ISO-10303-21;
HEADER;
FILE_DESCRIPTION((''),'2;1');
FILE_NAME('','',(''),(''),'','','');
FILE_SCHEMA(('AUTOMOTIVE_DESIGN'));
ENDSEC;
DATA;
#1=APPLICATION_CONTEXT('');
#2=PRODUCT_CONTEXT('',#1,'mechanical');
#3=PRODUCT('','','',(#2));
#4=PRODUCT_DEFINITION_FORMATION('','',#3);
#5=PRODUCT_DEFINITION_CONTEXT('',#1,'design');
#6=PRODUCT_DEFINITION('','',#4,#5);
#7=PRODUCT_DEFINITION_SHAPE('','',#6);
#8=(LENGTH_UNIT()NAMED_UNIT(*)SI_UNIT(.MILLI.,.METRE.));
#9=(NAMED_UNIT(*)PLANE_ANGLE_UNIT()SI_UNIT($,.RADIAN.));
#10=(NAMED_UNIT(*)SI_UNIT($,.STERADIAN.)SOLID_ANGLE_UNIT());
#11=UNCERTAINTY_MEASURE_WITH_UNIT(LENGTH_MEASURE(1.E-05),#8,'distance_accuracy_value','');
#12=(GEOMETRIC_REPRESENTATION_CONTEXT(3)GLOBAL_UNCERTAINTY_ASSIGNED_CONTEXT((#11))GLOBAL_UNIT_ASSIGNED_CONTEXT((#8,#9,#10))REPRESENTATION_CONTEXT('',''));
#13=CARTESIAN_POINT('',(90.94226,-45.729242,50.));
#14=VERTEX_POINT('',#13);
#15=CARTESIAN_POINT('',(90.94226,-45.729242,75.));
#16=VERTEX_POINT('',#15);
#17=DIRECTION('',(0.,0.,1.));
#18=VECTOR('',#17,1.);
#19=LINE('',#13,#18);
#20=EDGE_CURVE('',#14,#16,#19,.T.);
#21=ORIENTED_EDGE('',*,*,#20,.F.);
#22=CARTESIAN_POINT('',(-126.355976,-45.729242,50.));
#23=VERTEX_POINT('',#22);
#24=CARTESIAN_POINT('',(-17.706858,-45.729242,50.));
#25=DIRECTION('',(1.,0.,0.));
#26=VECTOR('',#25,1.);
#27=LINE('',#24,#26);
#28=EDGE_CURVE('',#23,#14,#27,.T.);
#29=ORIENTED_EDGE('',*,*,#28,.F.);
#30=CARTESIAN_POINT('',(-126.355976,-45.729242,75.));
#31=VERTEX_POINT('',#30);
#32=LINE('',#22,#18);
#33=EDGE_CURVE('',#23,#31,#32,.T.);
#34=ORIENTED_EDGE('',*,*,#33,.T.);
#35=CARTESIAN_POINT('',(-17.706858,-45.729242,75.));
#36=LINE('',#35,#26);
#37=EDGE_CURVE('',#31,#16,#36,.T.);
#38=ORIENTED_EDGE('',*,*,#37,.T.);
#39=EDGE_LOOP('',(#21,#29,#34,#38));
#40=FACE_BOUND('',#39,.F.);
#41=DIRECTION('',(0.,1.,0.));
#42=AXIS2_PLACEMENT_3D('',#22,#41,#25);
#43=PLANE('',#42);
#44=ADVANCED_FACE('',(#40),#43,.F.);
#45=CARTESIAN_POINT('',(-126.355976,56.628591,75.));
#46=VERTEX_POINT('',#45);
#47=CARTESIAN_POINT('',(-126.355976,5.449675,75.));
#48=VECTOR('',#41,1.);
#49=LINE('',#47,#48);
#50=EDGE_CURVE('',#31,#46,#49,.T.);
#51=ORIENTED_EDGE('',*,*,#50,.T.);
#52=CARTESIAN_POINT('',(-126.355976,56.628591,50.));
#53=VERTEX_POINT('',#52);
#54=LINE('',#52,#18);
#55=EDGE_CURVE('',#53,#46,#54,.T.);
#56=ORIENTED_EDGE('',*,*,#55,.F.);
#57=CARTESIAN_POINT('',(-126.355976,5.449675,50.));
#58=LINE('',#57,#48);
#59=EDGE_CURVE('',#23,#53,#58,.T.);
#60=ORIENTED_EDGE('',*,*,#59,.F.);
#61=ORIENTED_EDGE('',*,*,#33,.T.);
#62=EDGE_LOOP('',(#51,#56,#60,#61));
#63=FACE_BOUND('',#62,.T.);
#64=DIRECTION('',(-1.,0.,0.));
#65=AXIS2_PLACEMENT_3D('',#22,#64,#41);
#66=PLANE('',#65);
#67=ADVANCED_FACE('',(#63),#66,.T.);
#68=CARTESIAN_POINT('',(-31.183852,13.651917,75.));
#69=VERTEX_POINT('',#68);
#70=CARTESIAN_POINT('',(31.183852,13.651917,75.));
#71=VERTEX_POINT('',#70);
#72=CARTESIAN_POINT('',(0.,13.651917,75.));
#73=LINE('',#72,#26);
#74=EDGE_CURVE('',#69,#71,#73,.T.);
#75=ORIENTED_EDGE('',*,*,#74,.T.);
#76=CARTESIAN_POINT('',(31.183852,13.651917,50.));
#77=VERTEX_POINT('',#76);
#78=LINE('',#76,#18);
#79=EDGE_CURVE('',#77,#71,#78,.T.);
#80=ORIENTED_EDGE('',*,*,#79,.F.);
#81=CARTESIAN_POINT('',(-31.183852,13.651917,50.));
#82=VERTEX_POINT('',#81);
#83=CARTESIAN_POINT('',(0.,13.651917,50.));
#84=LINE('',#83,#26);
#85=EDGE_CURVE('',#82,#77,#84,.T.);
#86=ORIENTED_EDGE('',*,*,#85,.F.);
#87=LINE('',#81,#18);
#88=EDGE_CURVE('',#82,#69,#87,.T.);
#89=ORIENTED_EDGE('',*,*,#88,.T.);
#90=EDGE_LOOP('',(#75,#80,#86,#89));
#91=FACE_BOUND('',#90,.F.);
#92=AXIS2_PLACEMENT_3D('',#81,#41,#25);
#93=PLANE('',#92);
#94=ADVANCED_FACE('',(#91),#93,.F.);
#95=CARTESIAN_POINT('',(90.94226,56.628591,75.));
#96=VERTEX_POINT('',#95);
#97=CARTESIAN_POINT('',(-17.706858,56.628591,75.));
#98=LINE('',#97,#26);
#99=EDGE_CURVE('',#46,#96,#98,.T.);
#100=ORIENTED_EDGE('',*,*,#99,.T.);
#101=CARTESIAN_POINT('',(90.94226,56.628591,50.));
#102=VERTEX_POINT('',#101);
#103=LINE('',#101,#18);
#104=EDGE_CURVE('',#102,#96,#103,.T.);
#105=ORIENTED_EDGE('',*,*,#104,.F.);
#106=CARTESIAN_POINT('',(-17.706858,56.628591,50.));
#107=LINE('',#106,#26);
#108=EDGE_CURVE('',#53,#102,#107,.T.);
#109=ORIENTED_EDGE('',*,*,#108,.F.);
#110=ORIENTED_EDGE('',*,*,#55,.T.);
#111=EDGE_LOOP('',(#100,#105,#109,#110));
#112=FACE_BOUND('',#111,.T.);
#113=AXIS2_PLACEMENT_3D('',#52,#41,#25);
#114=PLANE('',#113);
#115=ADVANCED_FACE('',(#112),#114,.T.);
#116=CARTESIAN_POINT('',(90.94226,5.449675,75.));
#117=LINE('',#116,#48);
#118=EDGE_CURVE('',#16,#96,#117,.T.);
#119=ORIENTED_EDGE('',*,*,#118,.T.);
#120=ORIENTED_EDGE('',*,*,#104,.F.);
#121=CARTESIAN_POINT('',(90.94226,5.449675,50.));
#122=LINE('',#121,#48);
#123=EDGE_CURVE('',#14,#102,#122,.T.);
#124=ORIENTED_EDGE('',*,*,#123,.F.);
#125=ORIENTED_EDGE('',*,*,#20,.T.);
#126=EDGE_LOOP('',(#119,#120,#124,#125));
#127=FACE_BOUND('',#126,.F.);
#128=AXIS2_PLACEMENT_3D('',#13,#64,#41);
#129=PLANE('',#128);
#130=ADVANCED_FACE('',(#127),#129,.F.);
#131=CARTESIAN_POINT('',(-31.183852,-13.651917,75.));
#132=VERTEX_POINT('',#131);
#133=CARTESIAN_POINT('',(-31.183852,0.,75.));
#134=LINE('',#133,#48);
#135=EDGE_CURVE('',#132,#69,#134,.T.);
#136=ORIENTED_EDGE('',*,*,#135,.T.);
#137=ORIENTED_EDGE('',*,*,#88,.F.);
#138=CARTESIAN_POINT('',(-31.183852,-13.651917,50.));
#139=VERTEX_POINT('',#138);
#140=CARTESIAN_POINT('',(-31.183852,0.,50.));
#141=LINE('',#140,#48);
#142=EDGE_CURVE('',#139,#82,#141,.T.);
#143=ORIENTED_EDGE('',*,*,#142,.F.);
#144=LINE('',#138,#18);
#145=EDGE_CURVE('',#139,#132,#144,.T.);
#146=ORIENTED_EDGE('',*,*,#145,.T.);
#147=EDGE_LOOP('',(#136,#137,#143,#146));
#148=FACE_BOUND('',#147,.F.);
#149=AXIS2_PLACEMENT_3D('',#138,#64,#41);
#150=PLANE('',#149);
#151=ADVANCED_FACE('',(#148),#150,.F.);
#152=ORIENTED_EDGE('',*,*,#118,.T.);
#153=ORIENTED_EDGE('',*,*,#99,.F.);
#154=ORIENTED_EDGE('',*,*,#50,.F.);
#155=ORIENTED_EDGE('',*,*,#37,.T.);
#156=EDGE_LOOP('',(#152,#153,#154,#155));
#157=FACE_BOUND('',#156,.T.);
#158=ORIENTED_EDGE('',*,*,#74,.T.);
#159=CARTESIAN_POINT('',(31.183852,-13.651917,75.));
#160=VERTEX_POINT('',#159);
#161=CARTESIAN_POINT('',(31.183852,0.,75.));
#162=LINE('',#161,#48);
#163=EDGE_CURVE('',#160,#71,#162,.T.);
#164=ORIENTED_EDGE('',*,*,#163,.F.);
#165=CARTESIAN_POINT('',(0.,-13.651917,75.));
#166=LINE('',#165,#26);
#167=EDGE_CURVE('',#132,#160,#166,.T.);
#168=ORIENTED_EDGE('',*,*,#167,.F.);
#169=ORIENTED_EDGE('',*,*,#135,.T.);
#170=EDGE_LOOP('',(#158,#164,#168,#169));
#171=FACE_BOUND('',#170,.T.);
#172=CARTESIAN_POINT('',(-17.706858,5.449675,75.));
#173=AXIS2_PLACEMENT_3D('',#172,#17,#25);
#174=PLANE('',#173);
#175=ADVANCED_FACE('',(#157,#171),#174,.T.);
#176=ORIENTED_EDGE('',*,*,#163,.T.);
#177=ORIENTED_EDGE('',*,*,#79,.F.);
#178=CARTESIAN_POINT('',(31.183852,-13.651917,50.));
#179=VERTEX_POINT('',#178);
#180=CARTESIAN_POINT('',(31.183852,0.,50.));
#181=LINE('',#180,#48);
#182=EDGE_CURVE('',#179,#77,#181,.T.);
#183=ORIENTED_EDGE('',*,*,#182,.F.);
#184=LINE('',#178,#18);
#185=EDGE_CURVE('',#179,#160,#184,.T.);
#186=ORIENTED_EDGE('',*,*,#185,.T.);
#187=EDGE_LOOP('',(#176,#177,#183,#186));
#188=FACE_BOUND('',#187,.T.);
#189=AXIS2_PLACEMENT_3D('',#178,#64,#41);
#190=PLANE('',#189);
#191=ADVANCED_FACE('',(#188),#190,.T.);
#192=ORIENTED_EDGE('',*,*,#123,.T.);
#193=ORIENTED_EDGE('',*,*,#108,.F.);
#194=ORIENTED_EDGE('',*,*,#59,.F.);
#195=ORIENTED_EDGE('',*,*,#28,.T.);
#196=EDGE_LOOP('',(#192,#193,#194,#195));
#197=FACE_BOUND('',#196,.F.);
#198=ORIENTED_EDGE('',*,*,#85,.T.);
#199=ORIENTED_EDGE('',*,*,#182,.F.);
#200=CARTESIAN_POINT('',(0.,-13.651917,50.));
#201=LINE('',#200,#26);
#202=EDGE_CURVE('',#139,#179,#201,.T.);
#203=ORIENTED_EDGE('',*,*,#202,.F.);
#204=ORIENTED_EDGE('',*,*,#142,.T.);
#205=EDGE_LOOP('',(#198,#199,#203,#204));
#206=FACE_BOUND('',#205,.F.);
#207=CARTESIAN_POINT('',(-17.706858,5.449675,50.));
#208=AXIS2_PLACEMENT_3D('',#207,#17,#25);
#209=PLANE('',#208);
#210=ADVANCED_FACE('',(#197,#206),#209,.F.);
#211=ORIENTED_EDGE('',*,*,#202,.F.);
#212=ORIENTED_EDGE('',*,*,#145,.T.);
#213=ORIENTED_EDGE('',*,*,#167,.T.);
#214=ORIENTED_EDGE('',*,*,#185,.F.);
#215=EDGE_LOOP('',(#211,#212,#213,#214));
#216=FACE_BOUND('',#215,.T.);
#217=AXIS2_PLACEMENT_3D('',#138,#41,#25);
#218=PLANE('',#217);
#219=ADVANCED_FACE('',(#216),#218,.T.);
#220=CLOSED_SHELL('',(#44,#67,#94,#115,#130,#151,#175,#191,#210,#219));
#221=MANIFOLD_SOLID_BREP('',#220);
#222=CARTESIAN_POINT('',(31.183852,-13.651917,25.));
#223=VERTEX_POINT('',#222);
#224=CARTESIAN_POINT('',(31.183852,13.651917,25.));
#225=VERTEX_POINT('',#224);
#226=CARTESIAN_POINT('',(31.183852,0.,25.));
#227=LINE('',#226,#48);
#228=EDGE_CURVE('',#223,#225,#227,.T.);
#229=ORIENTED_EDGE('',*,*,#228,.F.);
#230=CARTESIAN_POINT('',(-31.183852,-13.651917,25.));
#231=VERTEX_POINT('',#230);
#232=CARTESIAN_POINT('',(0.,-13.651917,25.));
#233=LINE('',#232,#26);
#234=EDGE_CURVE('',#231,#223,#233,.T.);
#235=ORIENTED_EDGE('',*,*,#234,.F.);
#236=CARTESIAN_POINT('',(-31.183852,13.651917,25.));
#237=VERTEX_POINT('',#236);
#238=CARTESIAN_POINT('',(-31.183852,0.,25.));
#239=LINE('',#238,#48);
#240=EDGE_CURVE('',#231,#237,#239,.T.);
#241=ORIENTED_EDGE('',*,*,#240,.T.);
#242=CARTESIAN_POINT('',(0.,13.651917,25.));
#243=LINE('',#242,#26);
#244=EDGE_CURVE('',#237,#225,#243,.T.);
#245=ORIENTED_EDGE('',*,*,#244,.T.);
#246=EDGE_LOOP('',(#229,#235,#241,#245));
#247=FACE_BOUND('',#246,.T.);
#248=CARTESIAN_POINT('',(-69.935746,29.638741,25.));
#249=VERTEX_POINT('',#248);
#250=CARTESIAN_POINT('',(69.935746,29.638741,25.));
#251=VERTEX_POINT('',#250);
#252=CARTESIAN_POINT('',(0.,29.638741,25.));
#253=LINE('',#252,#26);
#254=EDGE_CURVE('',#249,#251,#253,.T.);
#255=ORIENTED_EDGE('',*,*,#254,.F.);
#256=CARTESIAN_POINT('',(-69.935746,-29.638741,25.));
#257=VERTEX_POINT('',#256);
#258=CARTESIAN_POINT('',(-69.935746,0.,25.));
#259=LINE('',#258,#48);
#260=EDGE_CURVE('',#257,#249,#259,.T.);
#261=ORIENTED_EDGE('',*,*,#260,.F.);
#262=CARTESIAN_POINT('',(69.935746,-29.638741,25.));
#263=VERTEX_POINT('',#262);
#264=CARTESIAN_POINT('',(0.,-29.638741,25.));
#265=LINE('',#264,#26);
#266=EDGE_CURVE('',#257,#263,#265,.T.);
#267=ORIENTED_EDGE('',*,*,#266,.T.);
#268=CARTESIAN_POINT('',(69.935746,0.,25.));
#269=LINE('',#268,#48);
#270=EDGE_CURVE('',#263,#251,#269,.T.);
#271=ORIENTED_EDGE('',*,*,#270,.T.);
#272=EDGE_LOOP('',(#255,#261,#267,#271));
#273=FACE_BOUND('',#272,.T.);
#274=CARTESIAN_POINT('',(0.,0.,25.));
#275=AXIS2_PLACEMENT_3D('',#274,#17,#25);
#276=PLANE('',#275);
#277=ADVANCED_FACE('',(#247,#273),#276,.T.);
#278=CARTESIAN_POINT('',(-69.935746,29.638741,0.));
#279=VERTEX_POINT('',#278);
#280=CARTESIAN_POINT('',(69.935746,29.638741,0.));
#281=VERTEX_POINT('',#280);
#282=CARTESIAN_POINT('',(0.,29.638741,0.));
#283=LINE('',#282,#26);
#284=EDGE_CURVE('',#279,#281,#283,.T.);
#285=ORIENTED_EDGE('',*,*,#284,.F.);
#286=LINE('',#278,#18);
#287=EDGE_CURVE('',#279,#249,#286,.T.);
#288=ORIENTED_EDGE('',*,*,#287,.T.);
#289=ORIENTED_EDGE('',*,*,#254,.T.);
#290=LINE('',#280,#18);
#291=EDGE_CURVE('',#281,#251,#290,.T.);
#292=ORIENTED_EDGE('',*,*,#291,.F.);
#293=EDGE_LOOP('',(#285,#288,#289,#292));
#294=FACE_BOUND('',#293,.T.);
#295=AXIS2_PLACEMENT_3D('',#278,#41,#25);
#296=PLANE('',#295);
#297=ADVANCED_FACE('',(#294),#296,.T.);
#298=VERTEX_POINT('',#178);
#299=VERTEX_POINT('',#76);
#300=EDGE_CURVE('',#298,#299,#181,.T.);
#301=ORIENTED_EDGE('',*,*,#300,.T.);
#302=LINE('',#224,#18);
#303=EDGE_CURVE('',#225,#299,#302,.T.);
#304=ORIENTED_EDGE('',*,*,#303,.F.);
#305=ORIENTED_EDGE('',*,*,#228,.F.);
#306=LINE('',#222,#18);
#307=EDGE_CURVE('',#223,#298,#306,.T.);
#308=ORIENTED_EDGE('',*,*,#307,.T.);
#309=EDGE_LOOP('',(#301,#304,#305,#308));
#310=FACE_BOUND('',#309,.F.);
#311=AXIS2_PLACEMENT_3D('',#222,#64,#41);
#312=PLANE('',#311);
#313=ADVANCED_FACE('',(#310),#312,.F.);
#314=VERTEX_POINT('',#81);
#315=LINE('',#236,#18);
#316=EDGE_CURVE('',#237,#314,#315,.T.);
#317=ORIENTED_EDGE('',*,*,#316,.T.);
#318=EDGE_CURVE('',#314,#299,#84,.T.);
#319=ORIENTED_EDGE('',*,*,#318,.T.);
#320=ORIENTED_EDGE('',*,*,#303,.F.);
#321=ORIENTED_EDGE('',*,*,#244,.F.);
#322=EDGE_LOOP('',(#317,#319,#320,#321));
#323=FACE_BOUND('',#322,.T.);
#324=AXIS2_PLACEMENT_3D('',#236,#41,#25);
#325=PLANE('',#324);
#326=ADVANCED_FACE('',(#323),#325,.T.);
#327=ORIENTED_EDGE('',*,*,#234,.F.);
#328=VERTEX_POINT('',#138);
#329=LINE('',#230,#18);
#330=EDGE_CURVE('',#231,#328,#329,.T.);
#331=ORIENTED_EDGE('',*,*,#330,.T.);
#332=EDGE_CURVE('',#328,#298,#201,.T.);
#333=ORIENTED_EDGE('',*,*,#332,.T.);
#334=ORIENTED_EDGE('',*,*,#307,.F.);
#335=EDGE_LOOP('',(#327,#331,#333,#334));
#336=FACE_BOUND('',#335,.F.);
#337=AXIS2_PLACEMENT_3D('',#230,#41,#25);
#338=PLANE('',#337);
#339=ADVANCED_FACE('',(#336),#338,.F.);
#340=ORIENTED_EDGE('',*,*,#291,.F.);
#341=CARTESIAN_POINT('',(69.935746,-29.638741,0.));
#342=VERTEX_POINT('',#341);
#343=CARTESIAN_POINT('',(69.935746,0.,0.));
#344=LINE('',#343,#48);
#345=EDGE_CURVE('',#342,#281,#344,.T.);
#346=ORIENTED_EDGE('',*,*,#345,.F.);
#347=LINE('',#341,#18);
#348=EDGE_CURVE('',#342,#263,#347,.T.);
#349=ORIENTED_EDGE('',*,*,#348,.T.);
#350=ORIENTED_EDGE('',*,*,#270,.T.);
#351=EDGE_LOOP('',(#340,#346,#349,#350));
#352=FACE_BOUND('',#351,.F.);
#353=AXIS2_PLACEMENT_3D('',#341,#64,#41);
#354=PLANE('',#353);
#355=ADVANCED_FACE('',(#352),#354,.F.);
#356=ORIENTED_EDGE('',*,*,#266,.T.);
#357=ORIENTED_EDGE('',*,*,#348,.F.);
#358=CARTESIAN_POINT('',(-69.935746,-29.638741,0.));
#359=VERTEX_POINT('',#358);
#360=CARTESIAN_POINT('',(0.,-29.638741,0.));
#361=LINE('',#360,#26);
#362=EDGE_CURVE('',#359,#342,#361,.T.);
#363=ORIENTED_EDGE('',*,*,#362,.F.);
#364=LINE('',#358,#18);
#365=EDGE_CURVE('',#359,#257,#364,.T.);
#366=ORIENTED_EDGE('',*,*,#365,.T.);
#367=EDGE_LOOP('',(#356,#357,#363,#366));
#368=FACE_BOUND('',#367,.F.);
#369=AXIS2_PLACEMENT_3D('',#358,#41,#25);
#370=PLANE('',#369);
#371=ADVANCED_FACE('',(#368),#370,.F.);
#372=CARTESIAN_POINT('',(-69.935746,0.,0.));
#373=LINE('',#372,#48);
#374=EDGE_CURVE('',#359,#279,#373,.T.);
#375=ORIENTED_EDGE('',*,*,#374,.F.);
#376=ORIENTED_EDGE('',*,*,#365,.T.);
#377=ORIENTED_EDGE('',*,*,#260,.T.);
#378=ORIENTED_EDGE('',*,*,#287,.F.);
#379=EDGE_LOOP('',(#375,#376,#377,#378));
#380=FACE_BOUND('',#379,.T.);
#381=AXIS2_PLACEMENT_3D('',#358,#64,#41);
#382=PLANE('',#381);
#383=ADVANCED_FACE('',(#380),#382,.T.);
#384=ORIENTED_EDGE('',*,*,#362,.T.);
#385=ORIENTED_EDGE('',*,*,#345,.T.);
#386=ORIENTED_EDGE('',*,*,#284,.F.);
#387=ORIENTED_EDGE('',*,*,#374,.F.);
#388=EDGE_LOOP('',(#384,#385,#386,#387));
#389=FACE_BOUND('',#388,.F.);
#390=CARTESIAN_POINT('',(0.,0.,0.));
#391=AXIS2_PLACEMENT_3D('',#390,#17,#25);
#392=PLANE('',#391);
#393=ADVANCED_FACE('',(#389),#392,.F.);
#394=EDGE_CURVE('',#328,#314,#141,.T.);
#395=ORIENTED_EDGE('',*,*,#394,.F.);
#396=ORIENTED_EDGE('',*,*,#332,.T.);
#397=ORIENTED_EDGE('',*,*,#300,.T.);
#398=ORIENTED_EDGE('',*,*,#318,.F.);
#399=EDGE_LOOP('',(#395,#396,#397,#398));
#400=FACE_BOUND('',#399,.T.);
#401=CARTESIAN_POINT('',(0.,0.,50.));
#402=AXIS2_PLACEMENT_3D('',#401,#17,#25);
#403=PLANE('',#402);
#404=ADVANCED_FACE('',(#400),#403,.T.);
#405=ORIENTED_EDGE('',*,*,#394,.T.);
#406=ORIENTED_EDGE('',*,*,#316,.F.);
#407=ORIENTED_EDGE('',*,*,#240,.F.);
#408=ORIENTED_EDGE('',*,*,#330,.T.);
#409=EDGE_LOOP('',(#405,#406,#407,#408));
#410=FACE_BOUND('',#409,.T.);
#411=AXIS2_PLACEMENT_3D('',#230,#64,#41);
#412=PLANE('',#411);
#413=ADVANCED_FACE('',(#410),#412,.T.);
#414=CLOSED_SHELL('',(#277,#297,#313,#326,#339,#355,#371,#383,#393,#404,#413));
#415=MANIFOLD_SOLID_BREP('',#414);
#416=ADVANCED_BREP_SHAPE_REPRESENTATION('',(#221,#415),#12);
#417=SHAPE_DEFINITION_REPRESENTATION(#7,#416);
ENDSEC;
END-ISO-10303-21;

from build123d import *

# Parameters (mm, degrees)
F0_W     = 139.871492
F0_H     = 59.277482
F1_DEPTH = 25
F2_W     = 62.367704
F2_H     = 27.303834
F3_DEPTH = 25
F4_W     = 217.298236
F4_H     = 102.357833
F4_W_2   = 62.367704
F4_H_2   = 27.303834
F5_DEPTH = 25


with BuildPart() as f1:
    # F0 (on Top) → F1 (new body)
    with BuildSketch(Plane.XY):
        Rectangle(F0_W, F0_H)
    extrude(amount=F1_DEPTH)

    # F2 (on face) → F3 (join)
    with BuildSketch(Plane.XY.offset(25)):
        Rectangle(F2_W, F2_H)
    extrude(amount=F3_DEPTH)


with BuildPart() as f5:
    # F4 (on face) → F5 (new body)
    with BuildSketch(Plane.XY.offset(50)):
        with Locations((-17.706858, 5.449675)):
            Rectangle(F4_W, F4_H)
        Rectangle(F4_W_2, F4_H_2, mode=Mode.SUBTRACT)
    extrude(amount=F5_DEPTH)


solid = Compound([f1.part, f5.part])
